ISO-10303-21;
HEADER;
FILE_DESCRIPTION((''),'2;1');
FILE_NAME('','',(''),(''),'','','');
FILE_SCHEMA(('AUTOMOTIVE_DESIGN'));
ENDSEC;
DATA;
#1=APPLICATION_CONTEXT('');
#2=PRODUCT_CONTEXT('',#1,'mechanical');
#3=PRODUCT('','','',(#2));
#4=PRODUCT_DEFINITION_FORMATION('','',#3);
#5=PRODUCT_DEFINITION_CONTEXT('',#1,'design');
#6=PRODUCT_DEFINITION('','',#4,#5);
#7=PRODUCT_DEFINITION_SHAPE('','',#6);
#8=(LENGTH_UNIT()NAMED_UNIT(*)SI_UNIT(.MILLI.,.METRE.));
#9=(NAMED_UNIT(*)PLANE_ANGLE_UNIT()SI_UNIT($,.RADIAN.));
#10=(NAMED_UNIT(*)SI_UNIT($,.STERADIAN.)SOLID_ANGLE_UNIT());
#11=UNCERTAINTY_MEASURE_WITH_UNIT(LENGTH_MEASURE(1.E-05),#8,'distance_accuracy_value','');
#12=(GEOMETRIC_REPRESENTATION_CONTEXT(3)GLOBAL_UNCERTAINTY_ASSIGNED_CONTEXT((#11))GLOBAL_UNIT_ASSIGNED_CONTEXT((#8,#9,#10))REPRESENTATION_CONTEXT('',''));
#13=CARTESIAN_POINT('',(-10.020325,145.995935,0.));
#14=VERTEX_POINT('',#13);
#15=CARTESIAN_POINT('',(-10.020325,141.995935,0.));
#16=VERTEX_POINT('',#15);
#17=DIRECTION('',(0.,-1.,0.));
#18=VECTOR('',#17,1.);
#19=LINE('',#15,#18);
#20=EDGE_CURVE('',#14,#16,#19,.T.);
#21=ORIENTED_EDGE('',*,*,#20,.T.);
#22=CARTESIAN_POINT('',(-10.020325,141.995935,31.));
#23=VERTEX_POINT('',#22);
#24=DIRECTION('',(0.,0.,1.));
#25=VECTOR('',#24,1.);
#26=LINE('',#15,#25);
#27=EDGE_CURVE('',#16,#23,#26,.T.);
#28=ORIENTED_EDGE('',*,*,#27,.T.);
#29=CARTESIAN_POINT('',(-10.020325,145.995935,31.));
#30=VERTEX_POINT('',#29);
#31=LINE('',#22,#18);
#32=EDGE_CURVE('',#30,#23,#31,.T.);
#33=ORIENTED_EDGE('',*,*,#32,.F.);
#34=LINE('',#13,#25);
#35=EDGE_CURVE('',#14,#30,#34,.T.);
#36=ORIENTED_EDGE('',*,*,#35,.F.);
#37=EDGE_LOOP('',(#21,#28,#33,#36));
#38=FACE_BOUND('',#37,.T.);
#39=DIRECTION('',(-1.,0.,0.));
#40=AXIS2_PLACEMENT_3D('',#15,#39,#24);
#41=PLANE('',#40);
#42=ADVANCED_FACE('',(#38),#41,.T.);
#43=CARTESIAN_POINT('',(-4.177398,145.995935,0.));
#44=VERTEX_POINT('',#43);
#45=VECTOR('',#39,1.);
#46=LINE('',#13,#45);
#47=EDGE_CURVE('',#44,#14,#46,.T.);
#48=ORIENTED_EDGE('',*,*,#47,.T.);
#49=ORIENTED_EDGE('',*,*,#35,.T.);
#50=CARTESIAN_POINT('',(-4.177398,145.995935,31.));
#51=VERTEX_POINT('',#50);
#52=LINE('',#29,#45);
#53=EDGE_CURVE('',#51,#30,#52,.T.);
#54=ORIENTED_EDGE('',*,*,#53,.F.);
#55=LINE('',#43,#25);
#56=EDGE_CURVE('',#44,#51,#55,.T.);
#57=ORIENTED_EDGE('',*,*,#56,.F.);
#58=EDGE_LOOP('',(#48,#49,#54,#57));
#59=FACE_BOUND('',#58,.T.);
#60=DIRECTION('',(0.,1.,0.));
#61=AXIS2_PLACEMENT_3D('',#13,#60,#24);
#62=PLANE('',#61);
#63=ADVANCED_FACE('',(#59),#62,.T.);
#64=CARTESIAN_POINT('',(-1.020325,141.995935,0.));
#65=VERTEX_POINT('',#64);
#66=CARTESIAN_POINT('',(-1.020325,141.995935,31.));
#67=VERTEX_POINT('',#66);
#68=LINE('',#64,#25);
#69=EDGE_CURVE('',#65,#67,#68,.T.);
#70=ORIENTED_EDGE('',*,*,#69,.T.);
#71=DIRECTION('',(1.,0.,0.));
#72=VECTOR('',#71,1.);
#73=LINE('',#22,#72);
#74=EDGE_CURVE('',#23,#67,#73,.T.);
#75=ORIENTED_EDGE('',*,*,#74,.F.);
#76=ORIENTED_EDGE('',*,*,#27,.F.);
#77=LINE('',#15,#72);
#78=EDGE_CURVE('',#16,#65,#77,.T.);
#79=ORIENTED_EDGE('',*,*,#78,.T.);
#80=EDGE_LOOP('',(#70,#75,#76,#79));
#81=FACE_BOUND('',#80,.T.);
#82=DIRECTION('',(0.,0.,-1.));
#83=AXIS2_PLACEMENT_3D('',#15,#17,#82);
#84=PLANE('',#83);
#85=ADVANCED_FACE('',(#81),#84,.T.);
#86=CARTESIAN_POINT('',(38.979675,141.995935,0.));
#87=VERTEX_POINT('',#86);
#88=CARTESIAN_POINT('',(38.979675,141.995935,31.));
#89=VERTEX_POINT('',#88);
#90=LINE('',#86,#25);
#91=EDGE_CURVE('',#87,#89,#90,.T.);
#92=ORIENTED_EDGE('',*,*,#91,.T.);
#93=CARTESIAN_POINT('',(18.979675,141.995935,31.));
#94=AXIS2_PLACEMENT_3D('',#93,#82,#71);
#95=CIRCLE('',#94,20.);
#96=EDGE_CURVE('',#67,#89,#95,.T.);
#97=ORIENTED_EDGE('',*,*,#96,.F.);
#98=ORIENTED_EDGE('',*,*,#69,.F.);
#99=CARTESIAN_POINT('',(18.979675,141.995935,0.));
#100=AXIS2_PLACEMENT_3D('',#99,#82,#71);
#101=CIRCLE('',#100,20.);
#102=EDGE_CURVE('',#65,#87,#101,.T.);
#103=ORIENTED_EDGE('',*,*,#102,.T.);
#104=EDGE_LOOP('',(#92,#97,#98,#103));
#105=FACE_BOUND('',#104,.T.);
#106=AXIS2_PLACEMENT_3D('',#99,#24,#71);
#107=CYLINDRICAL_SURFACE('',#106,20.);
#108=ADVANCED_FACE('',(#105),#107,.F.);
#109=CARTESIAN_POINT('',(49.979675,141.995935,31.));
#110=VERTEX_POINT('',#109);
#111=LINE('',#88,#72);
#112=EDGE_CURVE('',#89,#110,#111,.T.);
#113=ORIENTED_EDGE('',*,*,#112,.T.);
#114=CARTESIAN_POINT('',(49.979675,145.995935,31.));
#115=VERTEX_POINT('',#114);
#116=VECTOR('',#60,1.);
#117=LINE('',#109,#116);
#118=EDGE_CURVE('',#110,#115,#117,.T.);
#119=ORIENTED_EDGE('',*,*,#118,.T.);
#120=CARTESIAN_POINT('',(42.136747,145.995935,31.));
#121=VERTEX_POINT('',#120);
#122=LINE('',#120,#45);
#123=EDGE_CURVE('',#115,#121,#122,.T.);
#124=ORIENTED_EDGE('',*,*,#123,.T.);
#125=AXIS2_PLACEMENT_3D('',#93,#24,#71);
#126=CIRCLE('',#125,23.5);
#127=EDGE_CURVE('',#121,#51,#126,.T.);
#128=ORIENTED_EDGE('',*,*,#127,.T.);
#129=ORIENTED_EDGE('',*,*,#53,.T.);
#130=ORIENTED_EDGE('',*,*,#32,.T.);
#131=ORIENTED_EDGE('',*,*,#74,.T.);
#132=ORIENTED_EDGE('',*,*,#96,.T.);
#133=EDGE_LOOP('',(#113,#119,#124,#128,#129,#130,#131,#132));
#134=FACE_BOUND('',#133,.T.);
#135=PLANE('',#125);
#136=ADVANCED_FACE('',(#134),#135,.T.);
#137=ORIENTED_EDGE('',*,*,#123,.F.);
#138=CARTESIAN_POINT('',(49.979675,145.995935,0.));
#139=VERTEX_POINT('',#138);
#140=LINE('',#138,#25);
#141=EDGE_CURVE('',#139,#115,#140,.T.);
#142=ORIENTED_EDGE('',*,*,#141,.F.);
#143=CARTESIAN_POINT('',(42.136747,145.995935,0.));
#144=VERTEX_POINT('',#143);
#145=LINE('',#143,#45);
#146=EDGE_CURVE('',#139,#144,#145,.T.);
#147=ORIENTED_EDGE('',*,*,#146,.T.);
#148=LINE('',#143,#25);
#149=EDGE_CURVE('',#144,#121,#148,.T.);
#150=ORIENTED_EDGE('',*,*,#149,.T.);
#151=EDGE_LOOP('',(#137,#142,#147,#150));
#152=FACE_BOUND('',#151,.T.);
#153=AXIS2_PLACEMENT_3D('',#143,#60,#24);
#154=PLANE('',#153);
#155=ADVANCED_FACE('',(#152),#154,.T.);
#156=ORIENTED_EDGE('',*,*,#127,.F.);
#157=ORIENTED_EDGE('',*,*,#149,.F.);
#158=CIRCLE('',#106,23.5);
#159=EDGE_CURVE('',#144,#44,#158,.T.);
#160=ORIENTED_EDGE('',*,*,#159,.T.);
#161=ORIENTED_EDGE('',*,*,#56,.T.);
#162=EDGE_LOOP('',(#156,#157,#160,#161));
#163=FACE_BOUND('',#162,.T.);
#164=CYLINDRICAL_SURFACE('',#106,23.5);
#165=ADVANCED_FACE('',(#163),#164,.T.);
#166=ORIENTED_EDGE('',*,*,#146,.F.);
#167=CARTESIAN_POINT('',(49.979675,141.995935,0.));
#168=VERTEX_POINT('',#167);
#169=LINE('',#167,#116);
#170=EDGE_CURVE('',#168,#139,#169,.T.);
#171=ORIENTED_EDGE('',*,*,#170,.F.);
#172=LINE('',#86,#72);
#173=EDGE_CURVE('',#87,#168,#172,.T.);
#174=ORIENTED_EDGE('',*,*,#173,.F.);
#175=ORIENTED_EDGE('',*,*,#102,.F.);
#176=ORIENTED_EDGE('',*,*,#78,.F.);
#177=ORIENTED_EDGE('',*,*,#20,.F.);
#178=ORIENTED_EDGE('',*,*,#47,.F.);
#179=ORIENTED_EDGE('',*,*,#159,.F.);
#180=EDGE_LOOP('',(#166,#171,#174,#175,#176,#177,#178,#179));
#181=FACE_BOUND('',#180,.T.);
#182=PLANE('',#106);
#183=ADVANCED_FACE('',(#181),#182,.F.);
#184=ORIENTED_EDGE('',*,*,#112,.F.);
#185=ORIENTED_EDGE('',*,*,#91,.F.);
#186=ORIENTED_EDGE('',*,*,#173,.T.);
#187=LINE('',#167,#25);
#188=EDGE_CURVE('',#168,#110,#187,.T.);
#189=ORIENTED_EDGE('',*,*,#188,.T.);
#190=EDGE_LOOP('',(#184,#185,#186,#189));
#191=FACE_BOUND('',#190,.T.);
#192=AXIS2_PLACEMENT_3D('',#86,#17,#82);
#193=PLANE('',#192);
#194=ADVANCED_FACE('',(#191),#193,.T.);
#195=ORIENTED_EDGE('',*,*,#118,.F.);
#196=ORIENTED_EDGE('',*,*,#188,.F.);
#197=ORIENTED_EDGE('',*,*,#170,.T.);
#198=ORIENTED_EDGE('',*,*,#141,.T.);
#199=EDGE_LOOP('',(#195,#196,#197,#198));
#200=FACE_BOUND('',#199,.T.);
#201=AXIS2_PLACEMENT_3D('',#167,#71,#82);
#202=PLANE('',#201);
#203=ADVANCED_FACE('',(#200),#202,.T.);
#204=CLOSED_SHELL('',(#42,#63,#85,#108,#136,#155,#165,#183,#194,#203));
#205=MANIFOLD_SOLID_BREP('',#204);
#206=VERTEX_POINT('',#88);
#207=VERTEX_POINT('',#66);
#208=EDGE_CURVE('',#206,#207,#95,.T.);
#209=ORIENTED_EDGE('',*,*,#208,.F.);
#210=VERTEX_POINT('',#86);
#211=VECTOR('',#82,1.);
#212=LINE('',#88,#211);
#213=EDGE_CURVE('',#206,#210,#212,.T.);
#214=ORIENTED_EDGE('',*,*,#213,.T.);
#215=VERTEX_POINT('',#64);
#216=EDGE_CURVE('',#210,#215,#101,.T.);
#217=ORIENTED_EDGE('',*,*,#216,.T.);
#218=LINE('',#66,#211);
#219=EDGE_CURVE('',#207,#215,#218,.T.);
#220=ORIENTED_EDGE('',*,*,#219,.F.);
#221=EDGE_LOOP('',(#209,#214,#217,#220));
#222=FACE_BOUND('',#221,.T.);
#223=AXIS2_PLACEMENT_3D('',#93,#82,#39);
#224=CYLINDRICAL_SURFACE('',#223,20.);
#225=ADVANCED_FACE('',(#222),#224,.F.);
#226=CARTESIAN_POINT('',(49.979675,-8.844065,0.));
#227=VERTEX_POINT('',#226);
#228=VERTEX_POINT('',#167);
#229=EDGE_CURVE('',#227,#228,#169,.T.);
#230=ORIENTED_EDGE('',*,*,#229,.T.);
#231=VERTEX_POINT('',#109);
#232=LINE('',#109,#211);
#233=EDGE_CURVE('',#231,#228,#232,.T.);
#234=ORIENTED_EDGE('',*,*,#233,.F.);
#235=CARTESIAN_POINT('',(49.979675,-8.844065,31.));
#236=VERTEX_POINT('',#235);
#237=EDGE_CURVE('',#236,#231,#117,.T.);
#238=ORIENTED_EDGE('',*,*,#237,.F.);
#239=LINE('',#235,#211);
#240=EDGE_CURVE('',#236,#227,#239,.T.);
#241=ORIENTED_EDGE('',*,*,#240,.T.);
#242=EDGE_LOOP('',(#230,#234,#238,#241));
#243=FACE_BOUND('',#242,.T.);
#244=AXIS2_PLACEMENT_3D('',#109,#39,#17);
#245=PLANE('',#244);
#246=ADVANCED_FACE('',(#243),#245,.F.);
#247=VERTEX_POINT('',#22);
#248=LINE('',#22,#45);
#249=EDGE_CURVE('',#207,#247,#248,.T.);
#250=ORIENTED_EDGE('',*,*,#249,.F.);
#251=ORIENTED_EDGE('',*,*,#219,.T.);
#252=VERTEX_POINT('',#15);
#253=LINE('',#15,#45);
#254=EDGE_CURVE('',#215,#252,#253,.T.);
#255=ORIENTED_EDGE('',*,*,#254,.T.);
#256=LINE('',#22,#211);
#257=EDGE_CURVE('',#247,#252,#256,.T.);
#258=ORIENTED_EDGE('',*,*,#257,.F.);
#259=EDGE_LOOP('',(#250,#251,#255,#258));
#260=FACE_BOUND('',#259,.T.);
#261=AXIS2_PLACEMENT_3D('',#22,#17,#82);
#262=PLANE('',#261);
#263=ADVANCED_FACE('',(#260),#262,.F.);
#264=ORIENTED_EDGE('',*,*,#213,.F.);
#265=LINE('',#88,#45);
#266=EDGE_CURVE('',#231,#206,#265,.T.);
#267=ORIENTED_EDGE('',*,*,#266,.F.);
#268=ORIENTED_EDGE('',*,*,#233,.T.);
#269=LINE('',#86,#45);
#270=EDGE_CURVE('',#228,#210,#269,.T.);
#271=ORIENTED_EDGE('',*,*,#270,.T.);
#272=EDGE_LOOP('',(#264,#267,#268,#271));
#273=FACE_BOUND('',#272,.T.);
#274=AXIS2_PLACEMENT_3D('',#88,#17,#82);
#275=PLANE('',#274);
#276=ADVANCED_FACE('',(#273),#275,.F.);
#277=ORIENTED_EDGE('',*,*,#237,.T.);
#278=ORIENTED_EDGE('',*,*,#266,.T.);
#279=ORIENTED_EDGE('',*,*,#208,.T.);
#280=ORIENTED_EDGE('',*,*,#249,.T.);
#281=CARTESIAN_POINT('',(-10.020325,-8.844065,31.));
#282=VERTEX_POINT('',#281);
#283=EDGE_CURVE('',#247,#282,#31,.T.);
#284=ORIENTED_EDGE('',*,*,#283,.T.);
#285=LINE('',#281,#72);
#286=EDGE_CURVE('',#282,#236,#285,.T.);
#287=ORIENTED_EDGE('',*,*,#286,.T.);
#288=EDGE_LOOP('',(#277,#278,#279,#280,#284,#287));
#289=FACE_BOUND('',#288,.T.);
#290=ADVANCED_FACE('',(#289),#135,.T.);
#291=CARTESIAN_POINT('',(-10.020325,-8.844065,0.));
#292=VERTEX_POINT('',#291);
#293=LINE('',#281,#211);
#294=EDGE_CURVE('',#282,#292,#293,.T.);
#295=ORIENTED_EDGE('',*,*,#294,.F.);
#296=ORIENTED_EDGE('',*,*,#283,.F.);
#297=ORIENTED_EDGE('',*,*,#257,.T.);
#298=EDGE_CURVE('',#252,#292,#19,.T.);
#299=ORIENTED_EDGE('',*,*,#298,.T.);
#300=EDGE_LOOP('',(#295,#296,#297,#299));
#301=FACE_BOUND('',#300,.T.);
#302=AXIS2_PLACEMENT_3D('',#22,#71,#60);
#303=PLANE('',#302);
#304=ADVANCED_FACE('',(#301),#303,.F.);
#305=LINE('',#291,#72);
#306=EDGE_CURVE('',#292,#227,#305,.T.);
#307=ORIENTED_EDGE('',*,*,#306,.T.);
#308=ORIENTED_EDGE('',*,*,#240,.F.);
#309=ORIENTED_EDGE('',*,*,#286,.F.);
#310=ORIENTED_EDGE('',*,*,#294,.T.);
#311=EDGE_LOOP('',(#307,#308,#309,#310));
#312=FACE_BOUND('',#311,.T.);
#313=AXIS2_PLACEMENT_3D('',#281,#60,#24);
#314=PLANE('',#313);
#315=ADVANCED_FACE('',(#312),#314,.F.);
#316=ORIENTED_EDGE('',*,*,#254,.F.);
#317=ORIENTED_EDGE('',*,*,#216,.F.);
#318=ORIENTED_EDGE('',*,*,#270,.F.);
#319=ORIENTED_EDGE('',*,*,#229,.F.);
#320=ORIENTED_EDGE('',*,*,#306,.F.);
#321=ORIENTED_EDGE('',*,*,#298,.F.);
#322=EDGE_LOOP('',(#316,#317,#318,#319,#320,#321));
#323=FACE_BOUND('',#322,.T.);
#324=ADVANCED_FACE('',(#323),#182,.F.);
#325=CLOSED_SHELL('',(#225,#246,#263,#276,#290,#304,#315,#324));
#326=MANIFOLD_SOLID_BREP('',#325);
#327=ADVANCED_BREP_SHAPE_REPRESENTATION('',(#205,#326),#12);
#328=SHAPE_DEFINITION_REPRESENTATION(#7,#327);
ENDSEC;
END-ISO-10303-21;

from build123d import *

# Parameters (mm, degrees)
BOSS_EXTRUDE1_DEPTH = 31
BOSS_EXTRUDE2_DEPTH = 31


with BuildPart() as part:
    # Sketch1 → Boss-Extrude1 (new body)
    with BuildSketch(Plane.XY):
        with BuildLine():
            Line((38.979674797, 141.995934959), (49.979674797, 141.995934959))
            Line((49.979674797, 141.995934959), (49.979674797, -8.844065041))
            Line((49.979674797, -8.844065041), (-10.020325203, -8.844065041))
            Line((-10.020325203, -8.844065041), (-10.020325203, 141.995934959))
            Line((-10.020325203, 141.995934959), (-1.020325203, 141.995934959))
            ThreePointArc((-1.020325203, 141.995934959), (18.979674797, 121.995934959), (38.979674797, 141.995934959))
        make_face()
    extrude(amount=BOSS_EXTRUDE1_DEPTH)


with BuildPart() as body_2:
    # Sketch2 → Boss-Extrude2 (new body)
    with BuildSketch(Plane.XY.offset(31)):
        with BuildLine():
            Line((-10.020325203, 141.995934959), (-10.020325203, 145.995934959))
            Line((-10.020325203, 145.995934959), (-4.177397557, 145.995934959))
            ThreePointArc((-4.177397557, 145.995934959), (18.979674797, 165.495934959), (42.136747151, 145.995934959))
            Line((42.136747151, 145.995934959), (49.979674797, 145.995934959))
            Line((49.979674797, 145.995934959), (49.979674797, 141.995934959))
            Line((49.979674797, 141.995934959), (38.979674797, 141.995934959))
            ThreePointArc((38.979674797, 141.995934959), (18.979674797, 161.995934959), (-1.020325203, 141.995934959))
            Line((-1.020325203, 141.995934959), (-10.020325203, 141.995934959))
        make_face()
    extrude(amount=-BOSS_EXTRUDE2_DEPTH)


solid = Compound([part.part, body_2.part])
